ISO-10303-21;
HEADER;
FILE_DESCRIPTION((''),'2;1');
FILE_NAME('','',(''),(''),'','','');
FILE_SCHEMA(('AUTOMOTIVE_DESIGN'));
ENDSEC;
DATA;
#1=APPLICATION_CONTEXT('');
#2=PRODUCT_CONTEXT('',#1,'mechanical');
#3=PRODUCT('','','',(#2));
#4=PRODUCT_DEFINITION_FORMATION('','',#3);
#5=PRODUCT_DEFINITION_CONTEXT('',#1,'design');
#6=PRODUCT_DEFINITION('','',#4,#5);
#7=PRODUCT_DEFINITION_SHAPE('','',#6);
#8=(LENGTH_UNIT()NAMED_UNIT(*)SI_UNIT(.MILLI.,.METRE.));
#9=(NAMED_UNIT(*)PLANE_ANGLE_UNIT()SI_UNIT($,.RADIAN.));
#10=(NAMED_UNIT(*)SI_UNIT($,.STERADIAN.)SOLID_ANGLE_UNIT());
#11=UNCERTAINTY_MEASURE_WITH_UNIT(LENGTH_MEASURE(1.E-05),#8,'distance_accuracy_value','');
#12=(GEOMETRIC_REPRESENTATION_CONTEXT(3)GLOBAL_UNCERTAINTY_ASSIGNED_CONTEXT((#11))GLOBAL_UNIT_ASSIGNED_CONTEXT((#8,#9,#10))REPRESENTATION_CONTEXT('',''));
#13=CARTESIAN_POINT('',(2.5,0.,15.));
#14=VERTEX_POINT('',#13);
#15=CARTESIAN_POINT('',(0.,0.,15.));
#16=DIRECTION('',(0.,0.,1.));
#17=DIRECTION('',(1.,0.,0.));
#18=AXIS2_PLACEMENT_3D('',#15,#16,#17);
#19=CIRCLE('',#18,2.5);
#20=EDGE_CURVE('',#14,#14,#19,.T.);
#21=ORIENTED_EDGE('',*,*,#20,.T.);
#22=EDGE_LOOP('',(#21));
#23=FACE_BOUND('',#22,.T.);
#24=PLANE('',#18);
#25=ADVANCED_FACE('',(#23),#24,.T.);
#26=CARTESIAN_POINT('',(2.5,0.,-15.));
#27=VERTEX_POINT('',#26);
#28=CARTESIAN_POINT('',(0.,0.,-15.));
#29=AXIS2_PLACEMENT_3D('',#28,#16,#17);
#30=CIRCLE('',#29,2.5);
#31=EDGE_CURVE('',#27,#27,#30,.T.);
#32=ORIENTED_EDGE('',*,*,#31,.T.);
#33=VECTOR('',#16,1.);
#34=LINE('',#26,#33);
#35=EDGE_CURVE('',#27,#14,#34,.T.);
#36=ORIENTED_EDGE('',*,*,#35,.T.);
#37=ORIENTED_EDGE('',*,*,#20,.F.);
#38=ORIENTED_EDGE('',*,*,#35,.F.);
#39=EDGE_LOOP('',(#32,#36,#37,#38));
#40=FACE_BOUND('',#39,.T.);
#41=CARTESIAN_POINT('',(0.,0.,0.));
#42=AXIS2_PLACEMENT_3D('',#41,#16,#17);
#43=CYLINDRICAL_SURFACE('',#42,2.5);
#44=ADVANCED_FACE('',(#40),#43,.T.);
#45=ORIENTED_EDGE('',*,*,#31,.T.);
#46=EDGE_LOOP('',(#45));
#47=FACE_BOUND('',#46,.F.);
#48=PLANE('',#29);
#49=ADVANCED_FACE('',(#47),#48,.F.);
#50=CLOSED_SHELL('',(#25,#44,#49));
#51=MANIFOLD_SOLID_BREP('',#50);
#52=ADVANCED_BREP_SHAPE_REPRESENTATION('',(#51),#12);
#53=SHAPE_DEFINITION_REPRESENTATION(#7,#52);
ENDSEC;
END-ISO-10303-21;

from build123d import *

# Parameters (mm, degrees)
SKETCH_1_R      = 2.5
EXTRUDE_1_DEPTH = 15


with BuildPart() as part:
    # 草圖1 → 填料-伸長1 (new body, symmetric)
    with BuildSketch(Plane.XY):
        Circle(SKETCH_1_R)
    extrude(amount=EXTRUDE_1_DEPTH, both=True)


solid = part.part
